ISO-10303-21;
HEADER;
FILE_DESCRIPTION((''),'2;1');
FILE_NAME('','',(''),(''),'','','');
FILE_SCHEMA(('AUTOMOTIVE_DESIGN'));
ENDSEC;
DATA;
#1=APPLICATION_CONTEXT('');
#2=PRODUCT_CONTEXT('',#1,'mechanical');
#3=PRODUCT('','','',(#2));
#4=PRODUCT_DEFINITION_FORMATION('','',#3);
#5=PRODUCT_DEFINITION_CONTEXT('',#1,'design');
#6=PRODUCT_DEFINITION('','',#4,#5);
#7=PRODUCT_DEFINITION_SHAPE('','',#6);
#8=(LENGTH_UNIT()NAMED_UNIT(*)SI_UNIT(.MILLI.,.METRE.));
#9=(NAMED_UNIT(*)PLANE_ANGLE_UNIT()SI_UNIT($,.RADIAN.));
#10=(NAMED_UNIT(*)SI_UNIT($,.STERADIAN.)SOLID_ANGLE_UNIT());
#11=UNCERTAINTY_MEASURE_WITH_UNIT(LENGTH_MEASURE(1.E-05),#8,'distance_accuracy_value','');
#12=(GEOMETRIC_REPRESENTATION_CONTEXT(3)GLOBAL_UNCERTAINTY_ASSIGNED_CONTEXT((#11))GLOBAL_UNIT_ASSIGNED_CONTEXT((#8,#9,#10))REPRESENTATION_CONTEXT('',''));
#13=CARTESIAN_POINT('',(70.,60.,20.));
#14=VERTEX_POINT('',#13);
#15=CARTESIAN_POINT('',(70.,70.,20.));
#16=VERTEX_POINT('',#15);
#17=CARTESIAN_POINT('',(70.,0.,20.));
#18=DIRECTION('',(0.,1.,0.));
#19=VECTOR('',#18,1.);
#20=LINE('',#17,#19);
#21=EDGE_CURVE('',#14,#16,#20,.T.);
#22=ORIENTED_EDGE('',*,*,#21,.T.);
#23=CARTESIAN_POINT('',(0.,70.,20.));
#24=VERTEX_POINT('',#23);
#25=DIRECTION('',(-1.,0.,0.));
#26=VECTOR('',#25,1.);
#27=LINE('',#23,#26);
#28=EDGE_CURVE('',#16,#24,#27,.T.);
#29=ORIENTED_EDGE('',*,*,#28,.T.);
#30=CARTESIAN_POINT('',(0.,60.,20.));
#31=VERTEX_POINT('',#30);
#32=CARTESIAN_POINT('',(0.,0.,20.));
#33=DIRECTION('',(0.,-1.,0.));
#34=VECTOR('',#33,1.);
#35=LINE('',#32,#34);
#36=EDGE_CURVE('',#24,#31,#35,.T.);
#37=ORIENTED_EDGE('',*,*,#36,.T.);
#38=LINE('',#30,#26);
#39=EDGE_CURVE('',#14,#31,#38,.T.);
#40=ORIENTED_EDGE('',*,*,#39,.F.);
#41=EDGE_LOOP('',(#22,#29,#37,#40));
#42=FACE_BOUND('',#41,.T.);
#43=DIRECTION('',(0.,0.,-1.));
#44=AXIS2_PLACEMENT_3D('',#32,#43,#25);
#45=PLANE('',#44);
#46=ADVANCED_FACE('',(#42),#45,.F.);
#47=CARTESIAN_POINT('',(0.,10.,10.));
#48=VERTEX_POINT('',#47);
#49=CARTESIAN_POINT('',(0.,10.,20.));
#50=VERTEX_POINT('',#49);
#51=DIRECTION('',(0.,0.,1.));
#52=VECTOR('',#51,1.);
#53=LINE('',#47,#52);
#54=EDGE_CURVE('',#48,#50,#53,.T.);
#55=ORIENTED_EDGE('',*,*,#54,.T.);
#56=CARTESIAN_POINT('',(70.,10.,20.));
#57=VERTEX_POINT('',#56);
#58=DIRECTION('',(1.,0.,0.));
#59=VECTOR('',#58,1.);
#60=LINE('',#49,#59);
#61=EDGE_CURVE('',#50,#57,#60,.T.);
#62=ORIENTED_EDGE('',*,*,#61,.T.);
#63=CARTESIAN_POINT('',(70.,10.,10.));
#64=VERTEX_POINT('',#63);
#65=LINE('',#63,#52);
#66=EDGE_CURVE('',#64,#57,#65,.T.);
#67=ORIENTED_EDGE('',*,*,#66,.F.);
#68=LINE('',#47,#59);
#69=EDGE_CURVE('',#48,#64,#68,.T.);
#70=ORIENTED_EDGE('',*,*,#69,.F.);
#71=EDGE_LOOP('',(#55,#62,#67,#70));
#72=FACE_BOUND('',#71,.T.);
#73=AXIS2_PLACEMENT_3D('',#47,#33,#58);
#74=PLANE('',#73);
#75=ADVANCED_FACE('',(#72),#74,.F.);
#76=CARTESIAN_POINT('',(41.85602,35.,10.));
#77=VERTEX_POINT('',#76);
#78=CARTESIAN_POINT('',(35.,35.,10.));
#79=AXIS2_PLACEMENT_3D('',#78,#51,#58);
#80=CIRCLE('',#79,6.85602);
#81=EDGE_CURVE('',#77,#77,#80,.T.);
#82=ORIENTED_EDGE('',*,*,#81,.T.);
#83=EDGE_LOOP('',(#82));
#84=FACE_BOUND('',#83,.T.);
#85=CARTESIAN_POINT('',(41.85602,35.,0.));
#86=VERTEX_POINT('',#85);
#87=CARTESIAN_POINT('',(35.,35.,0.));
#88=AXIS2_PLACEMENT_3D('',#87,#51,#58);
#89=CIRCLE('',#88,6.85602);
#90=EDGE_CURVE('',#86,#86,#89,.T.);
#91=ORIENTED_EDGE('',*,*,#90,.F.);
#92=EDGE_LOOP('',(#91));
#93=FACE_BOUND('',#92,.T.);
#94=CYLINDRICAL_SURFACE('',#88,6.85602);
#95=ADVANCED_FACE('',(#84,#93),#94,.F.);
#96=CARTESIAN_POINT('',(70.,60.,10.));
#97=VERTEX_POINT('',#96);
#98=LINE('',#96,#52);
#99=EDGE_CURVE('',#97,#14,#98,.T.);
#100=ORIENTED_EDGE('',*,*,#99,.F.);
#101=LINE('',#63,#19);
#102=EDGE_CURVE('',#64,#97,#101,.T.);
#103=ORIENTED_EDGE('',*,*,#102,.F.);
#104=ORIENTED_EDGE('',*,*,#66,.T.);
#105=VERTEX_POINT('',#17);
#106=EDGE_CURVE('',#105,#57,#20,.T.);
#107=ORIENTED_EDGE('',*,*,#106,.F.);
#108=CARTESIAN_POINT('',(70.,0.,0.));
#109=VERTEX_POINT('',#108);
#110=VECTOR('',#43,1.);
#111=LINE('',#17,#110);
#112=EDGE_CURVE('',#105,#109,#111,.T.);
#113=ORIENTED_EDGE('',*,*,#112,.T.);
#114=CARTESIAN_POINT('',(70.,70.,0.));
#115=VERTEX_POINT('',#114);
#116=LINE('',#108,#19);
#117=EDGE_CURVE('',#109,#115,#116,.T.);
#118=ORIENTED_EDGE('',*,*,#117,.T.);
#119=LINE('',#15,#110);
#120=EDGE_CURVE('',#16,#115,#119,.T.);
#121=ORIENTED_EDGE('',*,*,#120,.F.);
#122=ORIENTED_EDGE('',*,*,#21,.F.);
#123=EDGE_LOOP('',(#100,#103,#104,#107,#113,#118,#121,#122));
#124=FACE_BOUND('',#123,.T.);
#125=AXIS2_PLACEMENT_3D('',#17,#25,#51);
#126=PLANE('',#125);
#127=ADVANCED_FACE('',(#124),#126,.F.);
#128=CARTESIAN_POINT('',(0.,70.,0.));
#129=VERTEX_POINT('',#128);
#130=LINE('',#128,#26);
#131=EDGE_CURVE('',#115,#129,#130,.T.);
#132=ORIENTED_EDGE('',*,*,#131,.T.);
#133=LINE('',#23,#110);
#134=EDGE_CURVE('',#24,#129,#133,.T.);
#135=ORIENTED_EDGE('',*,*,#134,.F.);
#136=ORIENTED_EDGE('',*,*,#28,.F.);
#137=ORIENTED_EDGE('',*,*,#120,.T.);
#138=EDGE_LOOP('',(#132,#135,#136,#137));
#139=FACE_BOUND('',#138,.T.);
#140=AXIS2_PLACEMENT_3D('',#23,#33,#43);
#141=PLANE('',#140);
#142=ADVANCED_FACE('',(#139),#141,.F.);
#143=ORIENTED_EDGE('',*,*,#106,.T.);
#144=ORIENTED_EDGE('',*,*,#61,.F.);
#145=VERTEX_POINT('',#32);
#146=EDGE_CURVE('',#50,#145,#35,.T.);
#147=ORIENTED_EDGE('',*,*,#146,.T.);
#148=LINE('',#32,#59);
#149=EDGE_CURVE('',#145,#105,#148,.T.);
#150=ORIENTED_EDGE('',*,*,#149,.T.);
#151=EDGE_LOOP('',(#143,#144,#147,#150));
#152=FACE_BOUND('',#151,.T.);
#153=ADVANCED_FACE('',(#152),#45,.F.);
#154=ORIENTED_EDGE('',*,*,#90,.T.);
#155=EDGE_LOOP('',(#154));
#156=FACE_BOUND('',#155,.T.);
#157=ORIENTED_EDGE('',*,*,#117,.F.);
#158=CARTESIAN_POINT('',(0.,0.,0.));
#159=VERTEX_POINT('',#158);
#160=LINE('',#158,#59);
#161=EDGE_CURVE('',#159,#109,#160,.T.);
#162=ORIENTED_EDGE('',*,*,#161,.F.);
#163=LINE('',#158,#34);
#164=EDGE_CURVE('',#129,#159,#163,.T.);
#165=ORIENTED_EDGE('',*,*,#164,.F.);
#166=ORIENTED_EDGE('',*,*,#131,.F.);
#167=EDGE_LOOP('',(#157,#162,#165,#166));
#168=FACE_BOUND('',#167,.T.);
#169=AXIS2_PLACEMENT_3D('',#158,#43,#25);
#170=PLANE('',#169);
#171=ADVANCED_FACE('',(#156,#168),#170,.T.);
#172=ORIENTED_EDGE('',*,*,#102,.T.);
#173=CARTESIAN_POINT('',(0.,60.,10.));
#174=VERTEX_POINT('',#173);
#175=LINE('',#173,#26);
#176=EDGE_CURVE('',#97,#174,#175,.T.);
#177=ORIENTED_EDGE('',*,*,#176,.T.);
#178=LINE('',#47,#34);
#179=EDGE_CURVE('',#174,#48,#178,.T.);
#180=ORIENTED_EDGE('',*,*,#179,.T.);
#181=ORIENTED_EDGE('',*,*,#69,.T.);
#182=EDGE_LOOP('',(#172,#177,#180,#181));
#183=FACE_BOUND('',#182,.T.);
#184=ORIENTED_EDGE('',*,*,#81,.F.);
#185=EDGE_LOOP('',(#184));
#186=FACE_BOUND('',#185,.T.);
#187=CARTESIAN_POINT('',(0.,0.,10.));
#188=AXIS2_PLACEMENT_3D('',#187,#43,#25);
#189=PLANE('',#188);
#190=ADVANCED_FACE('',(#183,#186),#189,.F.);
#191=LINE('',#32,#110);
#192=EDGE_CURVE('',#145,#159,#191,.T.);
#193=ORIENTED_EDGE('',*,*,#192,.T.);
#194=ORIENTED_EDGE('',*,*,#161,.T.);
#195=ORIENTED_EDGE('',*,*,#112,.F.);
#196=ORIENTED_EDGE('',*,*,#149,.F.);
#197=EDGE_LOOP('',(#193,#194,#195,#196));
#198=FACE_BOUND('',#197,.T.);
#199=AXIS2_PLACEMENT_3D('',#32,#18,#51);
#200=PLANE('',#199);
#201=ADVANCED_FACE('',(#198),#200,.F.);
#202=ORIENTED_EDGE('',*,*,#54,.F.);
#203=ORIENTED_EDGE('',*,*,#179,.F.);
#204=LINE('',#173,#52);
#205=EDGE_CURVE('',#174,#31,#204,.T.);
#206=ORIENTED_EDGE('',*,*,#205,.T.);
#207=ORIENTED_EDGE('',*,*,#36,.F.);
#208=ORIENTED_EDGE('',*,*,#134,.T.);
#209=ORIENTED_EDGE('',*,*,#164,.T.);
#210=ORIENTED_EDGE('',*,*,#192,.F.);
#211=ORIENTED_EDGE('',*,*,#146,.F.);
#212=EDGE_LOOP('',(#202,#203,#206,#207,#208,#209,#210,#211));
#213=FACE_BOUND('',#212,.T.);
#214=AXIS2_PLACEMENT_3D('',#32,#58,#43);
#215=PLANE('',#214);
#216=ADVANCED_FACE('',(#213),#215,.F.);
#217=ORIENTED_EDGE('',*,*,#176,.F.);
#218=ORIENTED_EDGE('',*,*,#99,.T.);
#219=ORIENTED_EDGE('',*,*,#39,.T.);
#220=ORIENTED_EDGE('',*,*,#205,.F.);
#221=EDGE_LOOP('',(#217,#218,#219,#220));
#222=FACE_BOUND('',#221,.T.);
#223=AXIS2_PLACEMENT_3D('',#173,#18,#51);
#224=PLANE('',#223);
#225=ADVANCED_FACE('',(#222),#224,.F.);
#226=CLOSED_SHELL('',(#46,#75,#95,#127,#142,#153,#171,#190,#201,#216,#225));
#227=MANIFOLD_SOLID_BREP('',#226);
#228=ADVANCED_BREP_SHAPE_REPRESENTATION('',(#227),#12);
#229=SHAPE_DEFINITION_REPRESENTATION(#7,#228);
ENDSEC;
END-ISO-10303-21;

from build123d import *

# Parameters (mm, degrees)
SKETCH1_W           = 70
SKETCH1_H           = 70
BOSS_EXTRUDE1_DEPTH = 20
SKETCH2_W           = 70
SKETCH2_H           = 50
CUT_EXTRUDE1_DEPTH  = 10
SKETCH3_R           = 6.85602035
CUT_EXTRUDE2_DEPTH  = 10


with BuildPart() as part:
    # Sketch1 → Boss-Extrude1 (new body)
    with BuildSketch(Plane.XY):
        with Locations((35, 35)):
            Rectangle(SKETCH1_W, SKETCH1_H)
    extrude(amount=BOSS_EXTRUDE1_DEPTH)

    # Sketch2 → Cut-Extrude1 (cut)
    with BuildSketch(Plane.XY.offset(20)):
        with Locations((35, 35)):
            Rectangle(SKETCH2_W, SKETCH2_H)
    extrude(amount=-CUT_EXTRUDE1_DEPTH, mode=Mode.SUBTRACT)

    # Sketch3 → Cut-Extrude2 (cut)
    with BuildSketch(Plane.XY.offset(10)):
        with Locations((35, 35)):
            Circle(SKETCH3_R)
    extrude(amount=-CUT_EXTRUDE2_DEPTH, mode=Mode.SUBTRACT)


solid = part.part
